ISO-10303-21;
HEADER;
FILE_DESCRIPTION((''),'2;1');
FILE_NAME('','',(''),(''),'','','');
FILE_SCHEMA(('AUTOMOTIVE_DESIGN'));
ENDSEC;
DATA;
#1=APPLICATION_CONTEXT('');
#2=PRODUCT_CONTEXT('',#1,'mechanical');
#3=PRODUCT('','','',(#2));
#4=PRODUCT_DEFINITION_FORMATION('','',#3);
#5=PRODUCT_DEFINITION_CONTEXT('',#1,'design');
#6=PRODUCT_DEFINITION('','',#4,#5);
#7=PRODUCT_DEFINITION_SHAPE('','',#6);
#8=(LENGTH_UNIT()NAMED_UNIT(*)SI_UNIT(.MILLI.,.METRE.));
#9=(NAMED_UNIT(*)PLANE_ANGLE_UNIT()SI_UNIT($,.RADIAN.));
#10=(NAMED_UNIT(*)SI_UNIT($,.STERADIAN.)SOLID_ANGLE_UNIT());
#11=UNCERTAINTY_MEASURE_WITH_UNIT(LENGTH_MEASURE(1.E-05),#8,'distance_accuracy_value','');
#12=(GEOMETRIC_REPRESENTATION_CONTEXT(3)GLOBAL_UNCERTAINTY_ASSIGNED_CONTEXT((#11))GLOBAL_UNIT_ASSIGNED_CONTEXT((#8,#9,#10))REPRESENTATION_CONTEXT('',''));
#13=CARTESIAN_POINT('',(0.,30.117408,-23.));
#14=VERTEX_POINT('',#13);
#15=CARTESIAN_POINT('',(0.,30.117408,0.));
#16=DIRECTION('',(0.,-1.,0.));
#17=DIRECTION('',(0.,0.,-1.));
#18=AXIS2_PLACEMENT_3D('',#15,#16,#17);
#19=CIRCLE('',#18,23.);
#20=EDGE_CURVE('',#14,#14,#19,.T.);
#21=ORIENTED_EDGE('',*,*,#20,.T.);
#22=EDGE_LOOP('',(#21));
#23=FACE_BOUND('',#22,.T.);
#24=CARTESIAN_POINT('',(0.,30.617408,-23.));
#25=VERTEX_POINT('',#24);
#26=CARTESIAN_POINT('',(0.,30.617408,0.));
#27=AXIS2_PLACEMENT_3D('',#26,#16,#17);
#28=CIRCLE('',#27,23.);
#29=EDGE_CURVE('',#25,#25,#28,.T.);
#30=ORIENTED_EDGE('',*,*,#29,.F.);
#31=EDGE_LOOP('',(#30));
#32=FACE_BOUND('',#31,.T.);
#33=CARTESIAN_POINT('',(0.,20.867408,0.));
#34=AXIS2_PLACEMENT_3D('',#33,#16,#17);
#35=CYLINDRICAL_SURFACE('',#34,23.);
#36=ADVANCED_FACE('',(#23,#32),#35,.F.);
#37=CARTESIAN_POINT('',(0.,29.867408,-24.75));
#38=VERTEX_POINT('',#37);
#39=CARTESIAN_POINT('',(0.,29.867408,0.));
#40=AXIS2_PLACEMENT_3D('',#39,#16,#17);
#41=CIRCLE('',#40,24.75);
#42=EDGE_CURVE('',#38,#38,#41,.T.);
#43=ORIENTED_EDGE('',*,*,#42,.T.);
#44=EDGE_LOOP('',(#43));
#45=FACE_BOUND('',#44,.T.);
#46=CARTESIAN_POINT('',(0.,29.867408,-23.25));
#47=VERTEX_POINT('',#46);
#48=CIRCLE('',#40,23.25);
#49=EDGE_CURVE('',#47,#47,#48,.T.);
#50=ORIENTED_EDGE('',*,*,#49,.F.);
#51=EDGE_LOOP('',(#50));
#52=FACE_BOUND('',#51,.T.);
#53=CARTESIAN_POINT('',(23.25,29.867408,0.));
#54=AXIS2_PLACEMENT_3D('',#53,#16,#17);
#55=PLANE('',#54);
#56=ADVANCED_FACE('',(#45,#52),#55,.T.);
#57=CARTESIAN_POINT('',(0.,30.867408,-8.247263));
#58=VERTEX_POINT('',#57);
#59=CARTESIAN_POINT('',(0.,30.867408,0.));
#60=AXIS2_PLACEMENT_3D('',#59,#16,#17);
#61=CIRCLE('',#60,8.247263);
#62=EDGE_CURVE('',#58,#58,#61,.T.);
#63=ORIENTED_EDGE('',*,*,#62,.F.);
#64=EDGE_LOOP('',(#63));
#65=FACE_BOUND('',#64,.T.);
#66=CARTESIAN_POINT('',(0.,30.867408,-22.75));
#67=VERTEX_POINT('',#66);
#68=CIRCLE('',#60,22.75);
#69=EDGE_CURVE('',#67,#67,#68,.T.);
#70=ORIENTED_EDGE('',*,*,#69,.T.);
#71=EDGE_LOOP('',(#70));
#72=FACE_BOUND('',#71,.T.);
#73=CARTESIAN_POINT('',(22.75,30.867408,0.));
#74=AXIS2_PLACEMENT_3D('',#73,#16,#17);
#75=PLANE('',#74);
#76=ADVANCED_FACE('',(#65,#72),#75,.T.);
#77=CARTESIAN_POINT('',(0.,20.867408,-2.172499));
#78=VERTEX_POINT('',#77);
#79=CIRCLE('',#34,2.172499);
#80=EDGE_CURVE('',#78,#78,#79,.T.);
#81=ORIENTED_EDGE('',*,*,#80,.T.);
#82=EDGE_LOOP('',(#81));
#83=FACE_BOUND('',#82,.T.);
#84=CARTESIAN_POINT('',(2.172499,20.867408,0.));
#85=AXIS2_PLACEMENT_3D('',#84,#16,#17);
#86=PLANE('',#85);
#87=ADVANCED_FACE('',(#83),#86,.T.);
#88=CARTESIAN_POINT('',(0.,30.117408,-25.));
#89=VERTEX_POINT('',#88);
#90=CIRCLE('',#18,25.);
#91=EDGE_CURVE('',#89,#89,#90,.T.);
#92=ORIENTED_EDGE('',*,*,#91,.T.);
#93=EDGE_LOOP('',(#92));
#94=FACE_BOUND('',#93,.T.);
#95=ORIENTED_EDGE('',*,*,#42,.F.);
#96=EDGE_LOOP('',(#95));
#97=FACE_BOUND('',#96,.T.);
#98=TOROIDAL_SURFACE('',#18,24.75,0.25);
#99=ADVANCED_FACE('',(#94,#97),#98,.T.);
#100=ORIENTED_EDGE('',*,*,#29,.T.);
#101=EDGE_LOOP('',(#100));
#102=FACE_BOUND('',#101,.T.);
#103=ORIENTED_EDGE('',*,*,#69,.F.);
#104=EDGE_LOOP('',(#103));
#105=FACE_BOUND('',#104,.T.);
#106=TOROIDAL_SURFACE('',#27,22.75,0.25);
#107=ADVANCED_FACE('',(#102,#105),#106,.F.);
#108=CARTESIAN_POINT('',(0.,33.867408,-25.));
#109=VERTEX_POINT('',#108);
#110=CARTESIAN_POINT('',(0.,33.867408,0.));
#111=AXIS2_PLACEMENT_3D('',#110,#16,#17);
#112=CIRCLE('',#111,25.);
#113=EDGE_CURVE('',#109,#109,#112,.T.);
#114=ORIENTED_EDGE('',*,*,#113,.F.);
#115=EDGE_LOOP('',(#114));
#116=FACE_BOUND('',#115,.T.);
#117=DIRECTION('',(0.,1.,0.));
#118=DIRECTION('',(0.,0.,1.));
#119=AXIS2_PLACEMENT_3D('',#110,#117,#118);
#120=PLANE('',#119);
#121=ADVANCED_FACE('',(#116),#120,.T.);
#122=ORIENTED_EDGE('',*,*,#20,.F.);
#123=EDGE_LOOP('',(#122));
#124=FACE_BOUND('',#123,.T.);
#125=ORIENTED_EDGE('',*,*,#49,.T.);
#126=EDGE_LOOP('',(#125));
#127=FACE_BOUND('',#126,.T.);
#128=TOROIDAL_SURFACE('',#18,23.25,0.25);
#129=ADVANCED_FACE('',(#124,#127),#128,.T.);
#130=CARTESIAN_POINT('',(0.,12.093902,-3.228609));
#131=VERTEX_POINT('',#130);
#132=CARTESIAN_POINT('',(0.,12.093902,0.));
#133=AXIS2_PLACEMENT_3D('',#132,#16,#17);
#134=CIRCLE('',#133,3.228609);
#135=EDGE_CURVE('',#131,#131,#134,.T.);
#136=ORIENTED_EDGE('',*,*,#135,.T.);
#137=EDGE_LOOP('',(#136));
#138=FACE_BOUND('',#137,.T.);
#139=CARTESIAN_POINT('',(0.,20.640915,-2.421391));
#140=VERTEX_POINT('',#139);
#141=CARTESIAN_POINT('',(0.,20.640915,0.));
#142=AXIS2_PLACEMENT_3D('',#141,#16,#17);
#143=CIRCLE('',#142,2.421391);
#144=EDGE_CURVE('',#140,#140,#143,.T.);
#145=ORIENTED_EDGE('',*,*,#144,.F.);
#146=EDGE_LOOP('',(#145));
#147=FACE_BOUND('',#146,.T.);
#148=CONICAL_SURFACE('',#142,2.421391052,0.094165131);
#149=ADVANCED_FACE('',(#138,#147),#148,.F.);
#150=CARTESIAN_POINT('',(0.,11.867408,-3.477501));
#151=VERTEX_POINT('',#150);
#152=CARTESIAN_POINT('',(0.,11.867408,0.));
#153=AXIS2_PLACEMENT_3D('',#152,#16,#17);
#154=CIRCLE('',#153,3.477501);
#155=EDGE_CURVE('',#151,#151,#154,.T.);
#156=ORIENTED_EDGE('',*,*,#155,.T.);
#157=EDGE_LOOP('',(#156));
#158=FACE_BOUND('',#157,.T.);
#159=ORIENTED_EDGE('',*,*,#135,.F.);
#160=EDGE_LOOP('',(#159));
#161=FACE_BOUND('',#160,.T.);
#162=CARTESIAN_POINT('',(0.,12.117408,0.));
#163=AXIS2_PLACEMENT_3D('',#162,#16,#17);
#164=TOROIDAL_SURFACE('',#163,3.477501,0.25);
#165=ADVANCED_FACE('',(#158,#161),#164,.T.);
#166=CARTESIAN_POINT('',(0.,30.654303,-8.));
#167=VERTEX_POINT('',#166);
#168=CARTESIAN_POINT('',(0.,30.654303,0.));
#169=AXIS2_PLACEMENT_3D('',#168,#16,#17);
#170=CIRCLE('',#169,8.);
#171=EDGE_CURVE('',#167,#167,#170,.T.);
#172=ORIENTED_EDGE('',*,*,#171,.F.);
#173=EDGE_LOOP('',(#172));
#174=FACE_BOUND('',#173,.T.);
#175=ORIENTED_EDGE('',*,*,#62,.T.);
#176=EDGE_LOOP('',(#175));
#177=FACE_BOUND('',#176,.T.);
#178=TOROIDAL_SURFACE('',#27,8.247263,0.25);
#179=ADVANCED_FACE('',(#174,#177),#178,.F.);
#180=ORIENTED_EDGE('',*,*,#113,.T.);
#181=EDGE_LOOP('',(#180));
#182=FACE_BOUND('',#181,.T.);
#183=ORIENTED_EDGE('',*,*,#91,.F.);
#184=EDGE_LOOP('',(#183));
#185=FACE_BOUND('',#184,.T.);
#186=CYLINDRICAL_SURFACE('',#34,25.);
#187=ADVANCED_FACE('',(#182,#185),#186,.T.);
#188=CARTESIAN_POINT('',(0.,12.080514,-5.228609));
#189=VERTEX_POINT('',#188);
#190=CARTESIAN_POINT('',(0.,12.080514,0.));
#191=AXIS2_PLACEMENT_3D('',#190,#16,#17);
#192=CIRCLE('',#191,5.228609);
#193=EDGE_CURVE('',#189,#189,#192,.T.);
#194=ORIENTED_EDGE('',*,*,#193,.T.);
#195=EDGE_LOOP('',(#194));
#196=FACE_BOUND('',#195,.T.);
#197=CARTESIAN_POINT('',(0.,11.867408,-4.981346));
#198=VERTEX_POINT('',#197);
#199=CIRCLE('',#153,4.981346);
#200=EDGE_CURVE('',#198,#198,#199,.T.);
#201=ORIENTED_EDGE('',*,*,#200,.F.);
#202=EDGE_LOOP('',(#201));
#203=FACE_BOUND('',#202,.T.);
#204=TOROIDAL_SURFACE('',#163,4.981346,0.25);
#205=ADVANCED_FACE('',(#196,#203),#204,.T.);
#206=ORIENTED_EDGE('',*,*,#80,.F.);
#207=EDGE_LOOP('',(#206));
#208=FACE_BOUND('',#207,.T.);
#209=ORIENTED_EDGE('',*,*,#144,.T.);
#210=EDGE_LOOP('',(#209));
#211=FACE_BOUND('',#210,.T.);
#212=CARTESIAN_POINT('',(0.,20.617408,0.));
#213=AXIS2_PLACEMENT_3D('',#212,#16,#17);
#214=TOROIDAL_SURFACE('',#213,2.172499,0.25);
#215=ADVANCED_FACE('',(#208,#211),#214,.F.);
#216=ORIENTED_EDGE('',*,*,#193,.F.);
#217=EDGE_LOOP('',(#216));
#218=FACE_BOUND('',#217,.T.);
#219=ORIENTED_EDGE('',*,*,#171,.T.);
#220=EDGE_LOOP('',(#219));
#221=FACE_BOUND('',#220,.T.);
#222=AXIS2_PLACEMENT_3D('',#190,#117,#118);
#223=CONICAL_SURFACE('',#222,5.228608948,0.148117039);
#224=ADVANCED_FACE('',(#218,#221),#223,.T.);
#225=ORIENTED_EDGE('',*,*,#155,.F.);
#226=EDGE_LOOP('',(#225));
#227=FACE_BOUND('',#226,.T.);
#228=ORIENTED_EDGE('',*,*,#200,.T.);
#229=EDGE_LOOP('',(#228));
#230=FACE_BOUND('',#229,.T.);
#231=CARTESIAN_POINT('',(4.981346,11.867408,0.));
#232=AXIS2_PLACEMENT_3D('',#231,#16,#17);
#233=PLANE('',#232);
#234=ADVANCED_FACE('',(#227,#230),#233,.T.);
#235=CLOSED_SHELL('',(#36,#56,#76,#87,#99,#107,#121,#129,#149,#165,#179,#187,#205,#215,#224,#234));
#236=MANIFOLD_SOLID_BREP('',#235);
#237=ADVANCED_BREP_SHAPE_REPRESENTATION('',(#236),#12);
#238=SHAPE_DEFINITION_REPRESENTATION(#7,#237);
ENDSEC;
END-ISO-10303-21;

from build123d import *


with BuildPart() as part:
    # Sketch2 → Revolve1 (revolve)
    with BuildSketch(Plane.XY, mode=Mode.PRIVATE) as revolve1_sk:
        with BuildLine():
            Line((3.228608948, 12.093901983), (2.421391052, 20.640914998))
            ThreePointArc((2.421391052, 20.640914998), (2.340759387, 20.802309311), (2.172498617, 20.86740849))
            Line((2.172498617, 20.86740849), (0, 20.86740849))
            Line((0, 20.86740849), (0, 33.86740849))
            Line((0, 33.86740849), (25, 33.86740849))
            Line((25, 33.86740849), (25, 30.11740849))
            ThreePointArc((25, 30.11740849), (24.926776695, 29.940631795), (24.75, 29.86740849))
            Line((24.75, 29.86740849), (23.25, 29.86740849))
            ThreePointArc((23.25, 29.86740849), (23.073223305, 29.940631795), (23, 30.11740849))
            Line((23, 30.11740849), (23, 30.61740849))
            ThreePointArc((23, 30.61740849), (22.926776695, 30.794185186), (22.75, 30.86740849))
            Line((22.75, 30.86740849), (8.247262678, 30.86740849))
            ThreePointArc((8.247262678, 30.86740849), (8.084050398, 30.806780483), (8, 30.654302503))
            Line((8, 30.654302503), (5.228608948, 12.080514478))
            ThreePointArc((5.228608948, 12.080514478), (5.14455855, 11.928036498), (4.98134627, 11.86740849))
            Line((4.98134627, 11.86740849), (3.477501383, 11.86740849))
            ThreePointArc((3.477501383, 11.86740849), (3.309240613, 11.93250767), (3.228608948, 12.093901983))
        make_face()
    revolve(revolve1_sk.sketch.rotate(Axis((0, 20.86740849, 0), (0, 1, 0)), 90), axis=Axis((0, 20.86740849, 0), (0, 1, 0)))


solid = part.part
